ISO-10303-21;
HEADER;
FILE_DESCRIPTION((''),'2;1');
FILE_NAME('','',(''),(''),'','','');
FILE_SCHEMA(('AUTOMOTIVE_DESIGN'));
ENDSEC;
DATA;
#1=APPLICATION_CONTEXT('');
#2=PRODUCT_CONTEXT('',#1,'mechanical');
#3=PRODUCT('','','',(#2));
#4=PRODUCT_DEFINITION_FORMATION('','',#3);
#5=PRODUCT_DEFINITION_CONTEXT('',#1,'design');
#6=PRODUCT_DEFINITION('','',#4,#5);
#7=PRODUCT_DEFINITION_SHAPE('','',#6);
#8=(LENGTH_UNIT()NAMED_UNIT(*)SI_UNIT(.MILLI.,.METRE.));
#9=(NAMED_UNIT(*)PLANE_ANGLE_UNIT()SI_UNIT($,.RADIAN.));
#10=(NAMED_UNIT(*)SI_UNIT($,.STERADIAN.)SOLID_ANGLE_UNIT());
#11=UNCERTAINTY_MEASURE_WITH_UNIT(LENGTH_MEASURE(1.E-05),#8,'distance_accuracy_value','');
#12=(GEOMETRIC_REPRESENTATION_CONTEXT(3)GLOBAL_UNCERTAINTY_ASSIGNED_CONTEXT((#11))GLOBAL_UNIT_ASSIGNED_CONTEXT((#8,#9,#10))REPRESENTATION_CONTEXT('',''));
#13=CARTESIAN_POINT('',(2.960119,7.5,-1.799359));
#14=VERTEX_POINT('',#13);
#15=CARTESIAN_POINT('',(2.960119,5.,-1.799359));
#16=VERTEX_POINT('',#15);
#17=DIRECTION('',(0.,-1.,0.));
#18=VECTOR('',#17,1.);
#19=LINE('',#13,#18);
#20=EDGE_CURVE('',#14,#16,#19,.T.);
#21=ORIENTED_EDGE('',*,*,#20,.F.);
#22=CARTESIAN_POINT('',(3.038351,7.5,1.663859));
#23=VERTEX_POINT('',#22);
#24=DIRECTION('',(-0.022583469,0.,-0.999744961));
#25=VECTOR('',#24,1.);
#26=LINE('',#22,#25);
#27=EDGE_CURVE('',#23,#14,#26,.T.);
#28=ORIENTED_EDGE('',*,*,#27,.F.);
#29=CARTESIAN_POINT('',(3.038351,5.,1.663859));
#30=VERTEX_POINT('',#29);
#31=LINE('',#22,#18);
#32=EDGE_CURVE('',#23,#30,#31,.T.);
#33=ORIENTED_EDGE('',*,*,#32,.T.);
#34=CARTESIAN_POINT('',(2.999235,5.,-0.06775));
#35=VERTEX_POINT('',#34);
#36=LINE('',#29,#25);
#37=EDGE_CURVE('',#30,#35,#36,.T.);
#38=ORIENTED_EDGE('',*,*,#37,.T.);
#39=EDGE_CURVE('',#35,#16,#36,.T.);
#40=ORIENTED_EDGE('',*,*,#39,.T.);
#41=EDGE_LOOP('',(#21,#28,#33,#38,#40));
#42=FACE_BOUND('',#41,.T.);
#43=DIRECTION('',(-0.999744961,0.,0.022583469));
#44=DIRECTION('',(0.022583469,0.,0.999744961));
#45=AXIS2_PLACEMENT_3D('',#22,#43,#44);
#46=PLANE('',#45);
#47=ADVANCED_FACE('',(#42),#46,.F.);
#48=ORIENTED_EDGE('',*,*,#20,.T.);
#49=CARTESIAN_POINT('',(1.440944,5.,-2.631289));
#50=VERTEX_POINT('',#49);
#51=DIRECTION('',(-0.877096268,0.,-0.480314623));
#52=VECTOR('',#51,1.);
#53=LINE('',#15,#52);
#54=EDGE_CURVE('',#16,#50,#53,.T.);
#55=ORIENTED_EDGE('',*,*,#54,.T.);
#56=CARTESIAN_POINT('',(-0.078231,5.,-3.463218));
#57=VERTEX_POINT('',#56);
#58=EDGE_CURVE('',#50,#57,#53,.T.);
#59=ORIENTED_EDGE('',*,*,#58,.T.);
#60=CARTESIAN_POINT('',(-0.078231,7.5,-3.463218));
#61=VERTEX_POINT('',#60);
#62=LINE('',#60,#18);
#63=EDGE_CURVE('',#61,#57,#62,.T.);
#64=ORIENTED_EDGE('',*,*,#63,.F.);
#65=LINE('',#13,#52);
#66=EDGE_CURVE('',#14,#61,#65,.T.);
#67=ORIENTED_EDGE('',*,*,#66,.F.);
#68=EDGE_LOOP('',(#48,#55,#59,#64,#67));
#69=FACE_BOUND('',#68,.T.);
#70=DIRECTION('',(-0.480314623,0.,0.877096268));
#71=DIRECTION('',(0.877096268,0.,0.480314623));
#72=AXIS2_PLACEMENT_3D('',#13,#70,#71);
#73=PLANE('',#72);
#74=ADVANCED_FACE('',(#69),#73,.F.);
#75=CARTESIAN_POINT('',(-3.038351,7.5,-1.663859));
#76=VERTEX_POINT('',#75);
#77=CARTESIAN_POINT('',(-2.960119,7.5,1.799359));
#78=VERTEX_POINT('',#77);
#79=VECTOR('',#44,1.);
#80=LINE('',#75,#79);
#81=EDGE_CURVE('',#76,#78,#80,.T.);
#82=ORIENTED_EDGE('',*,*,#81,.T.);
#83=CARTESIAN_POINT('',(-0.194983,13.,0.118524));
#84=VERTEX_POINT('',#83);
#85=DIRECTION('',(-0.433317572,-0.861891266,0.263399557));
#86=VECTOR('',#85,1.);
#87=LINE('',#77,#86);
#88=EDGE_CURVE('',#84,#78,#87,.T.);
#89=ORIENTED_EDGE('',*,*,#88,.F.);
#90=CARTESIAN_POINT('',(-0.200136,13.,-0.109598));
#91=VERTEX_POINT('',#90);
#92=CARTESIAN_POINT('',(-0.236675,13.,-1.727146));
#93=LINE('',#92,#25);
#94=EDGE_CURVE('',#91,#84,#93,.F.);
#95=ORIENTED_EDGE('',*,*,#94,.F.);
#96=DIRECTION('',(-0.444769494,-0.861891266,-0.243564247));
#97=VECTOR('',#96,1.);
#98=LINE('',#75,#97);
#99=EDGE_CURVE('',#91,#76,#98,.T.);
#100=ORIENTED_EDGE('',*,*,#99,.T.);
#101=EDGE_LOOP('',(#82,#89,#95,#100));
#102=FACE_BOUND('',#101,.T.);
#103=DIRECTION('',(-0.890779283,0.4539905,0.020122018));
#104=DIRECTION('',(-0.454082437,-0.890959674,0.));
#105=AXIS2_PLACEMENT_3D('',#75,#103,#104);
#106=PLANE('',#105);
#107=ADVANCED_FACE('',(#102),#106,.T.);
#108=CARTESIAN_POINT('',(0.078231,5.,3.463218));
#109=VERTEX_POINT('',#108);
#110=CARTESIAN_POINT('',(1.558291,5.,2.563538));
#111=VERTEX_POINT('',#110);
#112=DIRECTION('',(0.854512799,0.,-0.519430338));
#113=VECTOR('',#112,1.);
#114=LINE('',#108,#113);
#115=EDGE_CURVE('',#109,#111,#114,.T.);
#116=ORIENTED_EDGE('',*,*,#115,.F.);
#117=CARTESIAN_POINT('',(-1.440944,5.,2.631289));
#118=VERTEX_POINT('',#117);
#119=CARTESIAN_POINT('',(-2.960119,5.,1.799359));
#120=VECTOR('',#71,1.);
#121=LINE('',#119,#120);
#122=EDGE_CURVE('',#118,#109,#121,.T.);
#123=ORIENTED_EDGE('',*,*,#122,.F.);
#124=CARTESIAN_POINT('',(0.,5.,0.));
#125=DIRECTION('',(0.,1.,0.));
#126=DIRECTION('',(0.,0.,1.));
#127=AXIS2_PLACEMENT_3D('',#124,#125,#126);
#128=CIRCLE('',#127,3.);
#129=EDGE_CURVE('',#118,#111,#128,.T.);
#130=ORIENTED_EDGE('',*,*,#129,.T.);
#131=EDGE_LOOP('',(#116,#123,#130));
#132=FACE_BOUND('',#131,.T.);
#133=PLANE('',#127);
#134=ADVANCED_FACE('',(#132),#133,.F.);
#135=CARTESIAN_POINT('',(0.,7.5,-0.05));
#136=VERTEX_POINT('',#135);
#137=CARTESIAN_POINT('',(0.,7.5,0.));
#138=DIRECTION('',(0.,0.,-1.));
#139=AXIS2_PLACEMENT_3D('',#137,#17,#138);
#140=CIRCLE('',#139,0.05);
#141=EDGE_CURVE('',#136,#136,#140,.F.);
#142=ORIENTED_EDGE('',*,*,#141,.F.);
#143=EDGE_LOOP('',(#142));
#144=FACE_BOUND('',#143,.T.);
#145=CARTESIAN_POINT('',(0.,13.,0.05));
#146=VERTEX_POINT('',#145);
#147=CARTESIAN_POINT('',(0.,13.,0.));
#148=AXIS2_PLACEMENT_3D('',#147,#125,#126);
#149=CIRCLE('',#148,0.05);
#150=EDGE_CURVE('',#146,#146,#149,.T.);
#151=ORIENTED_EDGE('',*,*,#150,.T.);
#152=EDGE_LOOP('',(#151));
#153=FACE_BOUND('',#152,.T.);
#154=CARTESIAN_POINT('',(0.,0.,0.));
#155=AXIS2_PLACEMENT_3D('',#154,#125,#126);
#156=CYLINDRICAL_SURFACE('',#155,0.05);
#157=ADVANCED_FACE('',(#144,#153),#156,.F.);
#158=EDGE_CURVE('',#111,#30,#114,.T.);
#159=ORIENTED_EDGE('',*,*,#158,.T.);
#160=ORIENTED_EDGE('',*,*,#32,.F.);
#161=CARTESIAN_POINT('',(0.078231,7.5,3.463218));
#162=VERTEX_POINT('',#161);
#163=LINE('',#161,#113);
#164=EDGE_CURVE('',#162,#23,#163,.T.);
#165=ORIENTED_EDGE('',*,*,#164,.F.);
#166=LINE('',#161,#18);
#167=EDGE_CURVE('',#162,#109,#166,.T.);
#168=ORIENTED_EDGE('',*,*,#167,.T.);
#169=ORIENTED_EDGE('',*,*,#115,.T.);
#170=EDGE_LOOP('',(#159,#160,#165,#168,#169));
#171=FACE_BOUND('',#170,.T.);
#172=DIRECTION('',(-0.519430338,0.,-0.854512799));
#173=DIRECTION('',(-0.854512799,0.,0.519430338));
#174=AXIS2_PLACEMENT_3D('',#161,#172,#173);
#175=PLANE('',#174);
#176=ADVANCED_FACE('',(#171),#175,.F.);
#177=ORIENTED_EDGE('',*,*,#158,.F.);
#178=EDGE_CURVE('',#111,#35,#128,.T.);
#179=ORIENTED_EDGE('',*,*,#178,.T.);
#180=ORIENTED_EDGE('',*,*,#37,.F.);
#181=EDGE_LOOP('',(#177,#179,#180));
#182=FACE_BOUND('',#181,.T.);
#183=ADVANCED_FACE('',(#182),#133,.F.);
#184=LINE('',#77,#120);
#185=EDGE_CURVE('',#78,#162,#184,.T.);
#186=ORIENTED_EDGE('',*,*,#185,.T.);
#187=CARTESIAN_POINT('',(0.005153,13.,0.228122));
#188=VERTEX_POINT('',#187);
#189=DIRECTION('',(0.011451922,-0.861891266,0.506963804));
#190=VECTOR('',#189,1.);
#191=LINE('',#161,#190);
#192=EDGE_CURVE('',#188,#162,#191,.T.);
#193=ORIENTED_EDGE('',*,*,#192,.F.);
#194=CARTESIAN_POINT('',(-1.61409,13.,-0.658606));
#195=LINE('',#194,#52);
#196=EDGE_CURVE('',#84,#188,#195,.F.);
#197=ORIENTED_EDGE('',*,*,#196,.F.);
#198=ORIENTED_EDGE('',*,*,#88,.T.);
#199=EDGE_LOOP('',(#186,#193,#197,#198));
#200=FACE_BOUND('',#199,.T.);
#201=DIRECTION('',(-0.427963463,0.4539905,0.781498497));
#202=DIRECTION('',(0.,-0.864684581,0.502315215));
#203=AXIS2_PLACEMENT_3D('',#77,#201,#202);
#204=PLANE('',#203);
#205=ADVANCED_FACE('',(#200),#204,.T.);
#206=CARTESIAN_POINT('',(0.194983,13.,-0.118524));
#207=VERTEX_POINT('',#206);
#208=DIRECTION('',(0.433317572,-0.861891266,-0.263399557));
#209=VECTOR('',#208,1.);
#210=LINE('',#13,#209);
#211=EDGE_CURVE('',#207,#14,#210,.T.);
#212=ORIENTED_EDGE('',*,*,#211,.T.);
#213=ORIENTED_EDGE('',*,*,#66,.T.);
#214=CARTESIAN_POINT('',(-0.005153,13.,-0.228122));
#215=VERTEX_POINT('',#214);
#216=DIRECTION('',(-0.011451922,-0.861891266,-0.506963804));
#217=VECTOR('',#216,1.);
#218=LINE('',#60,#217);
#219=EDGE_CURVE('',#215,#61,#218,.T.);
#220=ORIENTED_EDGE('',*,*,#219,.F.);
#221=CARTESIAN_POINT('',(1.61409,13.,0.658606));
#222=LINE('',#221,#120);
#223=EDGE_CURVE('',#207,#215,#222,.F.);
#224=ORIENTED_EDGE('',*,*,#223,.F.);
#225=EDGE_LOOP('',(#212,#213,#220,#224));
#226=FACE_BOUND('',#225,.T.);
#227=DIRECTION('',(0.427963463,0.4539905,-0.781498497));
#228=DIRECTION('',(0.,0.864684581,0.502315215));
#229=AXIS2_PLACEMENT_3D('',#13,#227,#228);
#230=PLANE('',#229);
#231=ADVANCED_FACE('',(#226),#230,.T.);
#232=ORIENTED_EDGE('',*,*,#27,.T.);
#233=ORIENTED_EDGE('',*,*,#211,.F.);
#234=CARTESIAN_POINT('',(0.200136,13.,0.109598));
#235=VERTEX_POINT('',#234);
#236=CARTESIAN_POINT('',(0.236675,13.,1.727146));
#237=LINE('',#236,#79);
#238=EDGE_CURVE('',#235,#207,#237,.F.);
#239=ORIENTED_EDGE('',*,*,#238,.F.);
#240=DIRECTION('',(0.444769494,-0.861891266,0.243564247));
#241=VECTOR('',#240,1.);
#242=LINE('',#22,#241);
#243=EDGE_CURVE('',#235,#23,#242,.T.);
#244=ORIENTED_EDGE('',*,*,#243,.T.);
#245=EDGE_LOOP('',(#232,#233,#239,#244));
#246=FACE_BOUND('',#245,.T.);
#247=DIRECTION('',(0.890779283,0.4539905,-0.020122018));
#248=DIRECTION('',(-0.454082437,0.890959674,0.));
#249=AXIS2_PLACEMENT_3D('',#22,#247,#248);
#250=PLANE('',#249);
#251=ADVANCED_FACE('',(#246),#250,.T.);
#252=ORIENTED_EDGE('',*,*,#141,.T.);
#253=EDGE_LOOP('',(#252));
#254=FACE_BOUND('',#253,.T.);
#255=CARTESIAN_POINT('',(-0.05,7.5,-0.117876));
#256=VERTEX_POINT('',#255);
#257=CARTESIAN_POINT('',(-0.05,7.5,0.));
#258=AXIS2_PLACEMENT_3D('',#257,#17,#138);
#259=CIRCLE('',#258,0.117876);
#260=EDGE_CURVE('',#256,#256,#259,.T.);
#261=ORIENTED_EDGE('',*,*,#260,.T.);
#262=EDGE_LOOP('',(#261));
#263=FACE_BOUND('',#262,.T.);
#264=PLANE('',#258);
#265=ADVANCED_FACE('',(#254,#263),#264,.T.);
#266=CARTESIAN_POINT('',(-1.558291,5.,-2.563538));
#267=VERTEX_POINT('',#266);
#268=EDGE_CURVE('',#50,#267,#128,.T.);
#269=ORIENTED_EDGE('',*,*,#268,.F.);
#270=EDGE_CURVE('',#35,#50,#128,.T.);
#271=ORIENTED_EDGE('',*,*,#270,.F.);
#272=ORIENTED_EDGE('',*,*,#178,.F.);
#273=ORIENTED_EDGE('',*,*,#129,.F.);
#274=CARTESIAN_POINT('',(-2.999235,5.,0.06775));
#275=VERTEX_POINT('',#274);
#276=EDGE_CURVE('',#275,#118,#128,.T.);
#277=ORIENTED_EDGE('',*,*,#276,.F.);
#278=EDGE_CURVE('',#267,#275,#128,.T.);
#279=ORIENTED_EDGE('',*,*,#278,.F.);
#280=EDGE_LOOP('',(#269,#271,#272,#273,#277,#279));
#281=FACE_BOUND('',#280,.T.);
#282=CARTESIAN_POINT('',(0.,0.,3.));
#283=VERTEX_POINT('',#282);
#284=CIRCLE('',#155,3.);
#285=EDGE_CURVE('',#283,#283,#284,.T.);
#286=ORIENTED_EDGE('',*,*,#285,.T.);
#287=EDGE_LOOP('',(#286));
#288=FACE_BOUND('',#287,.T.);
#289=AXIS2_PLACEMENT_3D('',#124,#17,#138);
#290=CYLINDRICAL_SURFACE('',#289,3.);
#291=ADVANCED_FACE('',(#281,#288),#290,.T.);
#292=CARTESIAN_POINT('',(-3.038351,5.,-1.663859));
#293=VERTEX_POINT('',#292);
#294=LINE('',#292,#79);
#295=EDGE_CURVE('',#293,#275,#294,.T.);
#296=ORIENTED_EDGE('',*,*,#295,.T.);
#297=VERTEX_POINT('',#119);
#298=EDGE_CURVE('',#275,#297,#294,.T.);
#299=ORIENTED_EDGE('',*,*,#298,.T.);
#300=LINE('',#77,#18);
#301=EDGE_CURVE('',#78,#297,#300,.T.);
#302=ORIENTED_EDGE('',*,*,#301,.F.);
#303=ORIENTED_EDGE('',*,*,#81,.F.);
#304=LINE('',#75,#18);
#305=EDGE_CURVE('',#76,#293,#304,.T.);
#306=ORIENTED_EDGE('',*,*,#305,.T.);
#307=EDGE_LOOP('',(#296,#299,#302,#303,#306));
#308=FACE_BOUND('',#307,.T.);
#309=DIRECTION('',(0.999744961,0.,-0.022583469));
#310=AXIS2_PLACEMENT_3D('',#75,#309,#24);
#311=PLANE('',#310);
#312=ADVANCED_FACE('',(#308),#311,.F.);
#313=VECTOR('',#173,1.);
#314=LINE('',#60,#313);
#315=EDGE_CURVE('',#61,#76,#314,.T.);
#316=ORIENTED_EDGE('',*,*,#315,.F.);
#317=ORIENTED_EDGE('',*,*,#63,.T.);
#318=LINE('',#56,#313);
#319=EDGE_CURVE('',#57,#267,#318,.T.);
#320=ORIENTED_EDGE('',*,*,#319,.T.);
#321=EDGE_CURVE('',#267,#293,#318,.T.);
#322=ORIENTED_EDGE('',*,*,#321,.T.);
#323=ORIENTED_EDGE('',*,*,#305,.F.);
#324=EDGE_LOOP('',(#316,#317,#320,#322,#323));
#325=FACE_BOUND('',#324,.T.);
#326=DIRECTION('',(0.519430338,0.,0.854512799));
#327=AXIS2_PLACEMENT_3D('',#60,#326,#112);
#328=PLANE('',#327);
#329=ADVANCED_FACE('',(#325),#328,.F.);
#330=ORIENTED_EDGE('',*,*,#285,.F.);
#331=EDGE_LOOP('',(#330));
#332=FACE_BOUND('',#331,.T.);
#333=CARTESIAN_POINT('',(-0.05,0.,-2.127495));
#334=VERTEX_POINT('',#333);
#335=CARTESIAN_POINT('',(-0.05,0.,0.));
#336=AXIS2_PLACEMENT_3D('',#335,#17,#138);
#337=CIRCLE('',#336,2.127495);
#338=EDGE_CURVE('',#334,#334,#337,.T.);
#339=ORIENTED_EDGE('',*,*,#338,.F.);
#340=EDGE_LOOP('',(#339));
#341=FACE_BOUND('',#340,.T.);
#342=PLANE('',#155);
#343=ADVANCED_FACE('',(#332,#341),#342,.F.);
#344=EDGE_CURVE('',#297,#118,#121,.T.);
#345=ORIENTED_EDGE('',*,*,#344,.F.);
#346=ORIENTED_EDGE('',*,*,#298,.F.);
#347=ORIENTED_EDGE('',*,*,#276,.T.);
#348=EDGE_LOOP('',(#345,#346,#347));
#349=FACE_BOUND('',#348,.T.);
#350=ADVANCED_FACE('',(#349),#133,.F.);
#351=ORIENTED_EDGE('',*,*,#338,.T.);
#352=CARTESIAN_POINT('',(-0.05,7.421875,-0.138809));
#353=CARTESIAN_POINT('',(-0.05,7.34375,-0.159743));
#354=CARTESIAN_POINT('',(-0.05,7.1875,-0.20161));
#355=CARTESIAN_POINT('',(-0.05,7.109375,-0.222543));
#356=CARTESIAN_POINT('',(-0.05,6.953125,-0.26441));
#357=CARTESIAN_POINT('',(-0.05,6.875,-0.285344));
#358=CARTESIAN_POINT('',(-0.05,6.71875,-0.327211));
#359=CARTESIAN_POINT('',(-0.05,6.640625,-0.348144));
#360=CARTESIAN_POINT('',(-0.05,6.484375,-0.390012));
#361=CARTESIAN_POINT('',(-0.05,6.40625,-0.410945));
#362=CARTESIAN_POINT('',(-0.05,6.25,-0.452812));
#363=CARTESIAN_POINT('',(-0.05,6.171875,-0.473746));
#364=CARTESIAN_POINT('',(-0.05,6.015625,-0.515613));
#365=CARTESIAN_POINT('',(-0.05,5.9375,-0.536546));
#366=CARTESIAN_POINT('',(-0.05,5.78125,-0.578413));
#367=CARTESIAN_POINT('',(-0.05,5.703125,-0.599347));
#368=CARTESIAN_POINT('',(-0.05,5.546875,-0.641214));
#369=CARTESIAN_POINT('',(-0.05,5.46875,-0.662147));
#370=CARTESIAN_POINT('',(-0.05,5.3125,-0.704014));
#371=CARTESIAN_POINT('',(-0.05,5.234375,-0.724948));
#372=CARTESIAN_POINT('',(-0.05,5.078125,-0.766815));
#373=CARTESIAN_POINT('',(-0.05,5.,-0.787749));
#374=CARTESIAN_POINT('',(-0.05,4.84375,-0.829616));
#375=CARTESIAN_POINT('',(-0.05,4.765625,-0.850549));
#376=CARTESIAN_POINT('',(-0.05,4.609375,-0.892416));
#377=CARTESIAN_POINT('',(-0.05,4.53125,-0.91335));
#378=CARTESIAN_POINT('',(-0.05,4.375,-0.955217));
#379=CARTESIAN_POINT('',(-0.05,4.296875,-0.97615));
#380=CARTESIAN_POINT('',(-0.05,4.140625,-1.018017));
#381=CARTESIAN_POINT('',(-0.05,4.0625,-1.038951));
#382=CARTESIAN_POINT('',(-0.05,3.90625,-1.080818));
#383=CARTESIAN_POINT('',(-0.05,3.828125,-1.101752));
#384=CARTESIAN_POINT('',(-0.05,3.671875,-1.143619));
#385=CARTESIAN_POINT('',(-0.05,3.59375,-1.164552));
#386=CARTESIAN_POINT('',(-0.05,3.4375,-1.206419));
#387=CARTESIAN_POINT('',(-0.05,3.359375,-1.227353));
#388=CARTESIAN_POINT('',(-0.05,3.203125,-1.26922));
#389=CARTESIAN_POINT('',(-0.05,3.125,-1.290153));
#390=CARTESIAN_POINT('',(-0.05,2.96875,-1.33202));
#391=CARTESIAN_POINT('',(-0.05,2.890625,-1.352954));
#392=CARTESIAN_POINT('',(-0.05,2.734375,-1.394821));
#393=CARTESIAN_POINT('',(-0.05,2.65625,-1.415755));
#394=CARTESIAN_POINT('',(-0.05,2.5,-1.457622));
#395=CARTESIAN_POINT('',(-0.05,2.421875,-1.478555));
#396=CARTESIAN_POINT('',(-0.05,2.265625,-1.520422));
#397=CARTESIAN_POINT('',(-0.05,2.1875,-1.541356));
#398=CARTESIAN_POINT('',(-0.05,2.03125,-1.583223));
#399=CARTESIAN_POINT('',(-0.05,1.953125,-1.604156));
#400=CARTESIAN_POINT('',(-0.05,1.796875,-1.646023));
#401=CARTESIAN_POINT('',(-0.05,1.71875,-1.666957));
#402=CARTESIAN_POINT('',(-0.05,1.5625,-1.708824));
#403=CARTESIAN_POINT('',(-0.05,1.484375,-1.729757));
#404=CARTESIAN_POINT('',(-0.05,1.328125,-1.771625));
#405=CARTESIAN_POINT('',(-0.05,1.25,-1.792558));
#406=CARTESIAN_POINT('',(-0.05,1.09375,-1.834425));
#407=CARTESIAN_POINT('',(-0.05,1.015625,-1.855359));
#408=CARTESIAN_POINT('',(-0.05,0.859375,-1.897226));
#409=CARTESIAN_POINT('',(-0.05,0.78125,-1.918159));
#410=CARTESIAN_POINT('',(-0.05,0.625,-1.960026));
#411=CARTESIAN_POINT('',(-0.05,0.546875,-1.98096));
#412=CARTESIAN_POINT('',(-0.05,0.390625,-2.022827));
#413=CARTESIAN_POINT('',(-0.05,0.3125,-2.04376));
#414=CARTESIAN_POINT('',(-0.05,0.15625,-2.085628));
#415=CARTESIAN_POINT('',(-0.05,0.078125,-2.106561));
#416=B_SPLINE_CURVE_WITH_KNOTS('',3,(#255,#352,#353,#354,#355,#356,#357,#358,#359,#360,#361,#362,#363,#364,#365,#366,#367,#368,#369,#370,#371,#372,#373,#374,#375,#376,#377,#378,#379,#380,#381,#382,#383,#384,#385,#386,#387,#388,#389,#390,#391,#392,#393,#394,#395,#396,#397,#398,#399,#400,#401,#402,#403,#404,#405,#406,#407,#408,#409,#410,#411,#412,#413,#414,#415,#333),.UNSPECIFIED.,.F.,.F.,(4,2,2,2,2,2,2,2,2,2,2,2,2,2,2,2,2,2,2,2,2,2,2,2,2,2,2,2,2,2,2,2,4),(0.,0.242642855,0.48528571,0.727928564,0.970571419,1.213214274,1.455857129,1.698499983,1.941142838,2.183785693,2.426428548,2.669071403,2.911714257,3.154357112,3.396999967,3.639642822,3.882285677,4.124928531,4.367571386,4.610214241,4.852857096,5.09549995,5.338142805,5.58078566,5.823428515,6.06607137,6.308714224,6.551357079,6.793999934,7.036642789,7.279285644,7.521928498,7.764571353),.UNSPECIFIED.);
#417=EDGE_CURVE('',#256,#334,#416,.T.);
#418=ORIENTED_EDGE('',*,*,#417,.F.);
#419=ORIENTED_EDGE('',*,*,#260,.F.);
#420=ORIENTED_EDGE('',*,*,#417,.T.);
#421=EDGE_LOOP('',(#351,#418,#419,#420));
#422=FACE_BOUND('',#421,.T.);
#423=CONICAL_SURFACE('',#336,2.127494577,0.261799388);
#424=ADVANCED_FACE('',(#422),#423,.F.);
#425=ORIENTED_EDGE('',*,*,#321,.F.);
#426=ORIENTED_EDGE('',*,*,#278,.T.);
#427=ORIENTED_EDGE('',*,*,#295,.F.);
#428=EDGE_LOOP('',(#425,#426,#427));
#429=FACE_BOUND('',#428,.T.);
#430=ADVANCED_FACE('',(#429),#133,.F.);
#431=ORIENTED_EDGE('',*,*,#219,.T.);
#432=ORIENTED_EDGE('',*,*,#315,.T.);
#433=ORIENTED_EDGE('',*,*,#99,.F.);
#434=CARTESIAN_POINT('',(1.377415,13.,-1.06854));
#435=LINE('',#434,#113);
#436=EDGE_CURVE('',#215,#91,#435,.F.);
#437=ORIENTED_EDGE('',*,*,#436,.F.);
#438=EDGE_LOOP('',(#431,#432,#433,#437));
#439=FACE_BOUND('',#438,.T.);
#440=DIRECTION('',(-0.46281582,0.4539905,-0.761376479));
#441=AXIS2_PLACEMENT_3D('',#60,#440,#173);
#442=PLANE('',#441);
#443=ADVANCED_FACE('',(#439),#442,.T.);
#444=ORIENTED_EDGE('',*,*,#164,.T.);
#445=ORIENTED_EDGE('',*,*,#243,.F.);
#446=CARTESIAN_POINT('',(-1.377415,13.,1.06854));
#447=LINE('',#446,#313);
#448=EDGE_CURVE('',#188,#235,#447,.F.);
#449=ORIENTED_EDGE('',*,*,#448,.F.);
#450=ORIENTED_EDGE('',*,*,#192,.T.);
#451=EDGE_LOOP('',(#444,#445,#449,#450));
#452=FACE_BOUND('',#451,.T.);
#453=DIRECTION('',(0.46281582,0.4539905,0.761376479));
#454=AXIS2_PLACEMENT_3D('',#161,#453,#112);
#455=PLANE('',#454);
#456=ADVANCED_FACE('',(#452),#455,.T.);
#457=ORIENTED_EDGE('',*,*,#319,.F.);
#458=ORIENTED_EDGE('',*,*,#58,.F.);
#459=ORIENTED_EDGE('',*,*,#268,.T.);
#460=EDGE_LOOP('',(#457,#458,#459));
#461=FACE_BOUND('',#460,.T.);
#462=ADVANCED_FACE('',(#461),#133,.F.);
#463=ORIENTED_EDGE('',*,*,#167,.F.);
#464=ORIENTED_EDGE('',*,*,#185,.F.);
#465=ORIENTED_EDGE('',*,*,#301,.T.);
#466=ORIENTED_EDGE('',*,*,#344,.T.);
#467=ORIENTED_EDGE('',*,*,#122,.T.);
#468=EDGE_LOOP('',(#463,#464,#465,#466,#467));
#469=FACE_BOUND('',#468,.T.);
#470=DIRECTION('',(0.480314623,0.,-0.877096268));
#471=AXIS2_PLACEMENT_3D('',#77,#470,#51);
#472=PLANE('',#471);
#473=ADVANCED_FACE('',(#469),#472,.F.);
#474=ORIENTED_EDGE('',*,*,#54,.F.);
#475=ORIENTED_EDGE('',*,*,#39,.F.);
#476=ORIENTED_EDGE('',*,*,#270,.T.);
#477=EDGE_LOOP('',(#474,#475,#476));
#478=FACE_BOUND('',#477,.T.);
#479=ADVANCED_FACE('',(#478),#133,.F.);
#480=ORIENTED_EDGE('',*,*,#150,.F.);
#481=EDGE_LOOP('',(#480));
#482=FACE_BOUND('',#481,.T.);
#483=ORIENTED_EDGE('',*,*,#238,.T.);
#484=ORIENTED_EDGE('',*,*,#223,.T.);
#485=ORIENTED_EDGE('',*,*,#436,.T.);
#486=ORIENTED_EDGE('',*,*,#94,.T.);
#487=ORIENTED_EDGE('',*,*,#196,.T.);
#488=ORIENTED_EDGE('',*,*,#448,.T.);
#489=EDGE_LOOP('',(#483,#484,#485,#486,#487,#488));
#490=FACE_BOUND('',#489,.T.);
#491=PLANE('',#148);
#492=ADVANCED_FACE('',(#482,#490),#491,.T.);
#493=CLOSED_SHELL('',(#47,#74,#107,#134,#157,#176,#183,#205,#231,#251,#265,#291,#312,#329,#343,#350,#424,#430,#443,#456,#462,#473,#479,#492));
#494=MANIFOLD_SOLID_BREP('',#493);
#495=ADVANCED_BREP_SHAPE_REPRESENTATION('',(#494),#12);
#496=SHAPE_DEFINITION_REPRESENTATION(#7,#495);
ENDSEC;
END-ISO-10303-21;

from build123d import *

# Parameters (mm, degrees)
SKETCH_1_R          = 3
EXTRUDE_1_DEPTH     = 5
EXTRUDE_2_DEPTH     = 2.5
EXTRUDE_3_DEPTH     = 5.5
EXTRUDE_3_TAPER     = 27
SKETCH_5_R          = 0.05
CUT_EXTRUDE_1_DEPTH = 14.792224458
SKETCH_6_R          = 2.127494577
CUT_EXTRUDE_2_DEPTH = 7.5
CUT_EXTRUDE_2_DRAFT = -15


with BuildPart() as part:
    # 草图1 → 凸台-拉伸1 (new body)
    with BuildSketch(Plane(origin=(0, 0, 0), x_dir=(1, 0, 0), z_dir=(0, 1, 0))):
        with Locations(Location((0, 0, 0), (0, 0, 270))):
            Circle(SKETCH_1_R)
    extrude(amount=EXTRUDE_1_DEPTH)

    # 草图2 → 凸台-拉伸2 (add)
    with BuildSketch(Plane(origin=(0, 5, 0), x_dir=(1, 0, 0), z_dir=(0, 1, 0))):
        Polygon((3.038350598, -1.663858661), (2.960119168, 1.799359473), (-0.07823143, 3.463218134), (-3.038350598, 1.663858661), (-2.960119168, -1.799359473), (0.07823143, -3.463218134), align=None)
    extrude(amount=EXTRUDE_2_DEPTH)

    # 草图4 → 凸台-拉伸3 (add)
    with BuildSketch(Plane(origin=(0, 7.5, 0), x_dir=(1, 0, 0), z_dir=(0, 1, 0))):
        Polygon((0.07823143, -3.463218134), (3.038350598, -1.663858661), (2.960119168, 1.799359473), (-0.07823143, 3.463218134), (-3.038350598, 1.663858661), (-2.960119168, -1.799359473), align=None)
    extrude(amount=EXTRUDE_3_DEPTH, taper=EXTRUDE_3_TAPER)

    # 草图5 → 切除-拉伸1 (cut, through all)
    with BuildSketch(Plane(origin=(0, 13, 0), x_dir=(1, 0, 0), z_dir=(0, 1, 0))):
        with Locations(Location((0, 0, 0), (0, 0, 270))):
            Circle(SKETCH_5_R)
    extrude(amount=-CUT_EXTRUDE_1_DEPTH, mode=Mode.SUBTRACT)


with BuildPart() as cut_extrude_2_tool:
    # 草图6 → 切除-拉伸2 (with draft: the straight prism first)
    with BuildSketch(Plane.XZ):
        with Locations((-0.05, 0)):
            Circle(SKETCH_6_R)
    extrude(amount=-CUT_EXTRUDE_2_DEPTH)
    # 切除-拉伸2: the draft: its side faces are tilted about the plane it starts from
    cut_extrude_2_sides = [cut_extrude_2_tool.faces().sort_by_distance(p)[0] for p in [
        (-2.177494577, 3.75, 0),
    ]]
    draft(cut_extrude_2_sides, Plane.XZ, CUT_EXTRUDE_2_DRAFT)


with BuildPart() as part_1:
    add(part.part)

    # 切除-拉伸2: cut by cut_extrude_2_tool
    add(cut_extrude_2_tool.part, mode=Mode.SUBTRACT)


solid = part_1.part
